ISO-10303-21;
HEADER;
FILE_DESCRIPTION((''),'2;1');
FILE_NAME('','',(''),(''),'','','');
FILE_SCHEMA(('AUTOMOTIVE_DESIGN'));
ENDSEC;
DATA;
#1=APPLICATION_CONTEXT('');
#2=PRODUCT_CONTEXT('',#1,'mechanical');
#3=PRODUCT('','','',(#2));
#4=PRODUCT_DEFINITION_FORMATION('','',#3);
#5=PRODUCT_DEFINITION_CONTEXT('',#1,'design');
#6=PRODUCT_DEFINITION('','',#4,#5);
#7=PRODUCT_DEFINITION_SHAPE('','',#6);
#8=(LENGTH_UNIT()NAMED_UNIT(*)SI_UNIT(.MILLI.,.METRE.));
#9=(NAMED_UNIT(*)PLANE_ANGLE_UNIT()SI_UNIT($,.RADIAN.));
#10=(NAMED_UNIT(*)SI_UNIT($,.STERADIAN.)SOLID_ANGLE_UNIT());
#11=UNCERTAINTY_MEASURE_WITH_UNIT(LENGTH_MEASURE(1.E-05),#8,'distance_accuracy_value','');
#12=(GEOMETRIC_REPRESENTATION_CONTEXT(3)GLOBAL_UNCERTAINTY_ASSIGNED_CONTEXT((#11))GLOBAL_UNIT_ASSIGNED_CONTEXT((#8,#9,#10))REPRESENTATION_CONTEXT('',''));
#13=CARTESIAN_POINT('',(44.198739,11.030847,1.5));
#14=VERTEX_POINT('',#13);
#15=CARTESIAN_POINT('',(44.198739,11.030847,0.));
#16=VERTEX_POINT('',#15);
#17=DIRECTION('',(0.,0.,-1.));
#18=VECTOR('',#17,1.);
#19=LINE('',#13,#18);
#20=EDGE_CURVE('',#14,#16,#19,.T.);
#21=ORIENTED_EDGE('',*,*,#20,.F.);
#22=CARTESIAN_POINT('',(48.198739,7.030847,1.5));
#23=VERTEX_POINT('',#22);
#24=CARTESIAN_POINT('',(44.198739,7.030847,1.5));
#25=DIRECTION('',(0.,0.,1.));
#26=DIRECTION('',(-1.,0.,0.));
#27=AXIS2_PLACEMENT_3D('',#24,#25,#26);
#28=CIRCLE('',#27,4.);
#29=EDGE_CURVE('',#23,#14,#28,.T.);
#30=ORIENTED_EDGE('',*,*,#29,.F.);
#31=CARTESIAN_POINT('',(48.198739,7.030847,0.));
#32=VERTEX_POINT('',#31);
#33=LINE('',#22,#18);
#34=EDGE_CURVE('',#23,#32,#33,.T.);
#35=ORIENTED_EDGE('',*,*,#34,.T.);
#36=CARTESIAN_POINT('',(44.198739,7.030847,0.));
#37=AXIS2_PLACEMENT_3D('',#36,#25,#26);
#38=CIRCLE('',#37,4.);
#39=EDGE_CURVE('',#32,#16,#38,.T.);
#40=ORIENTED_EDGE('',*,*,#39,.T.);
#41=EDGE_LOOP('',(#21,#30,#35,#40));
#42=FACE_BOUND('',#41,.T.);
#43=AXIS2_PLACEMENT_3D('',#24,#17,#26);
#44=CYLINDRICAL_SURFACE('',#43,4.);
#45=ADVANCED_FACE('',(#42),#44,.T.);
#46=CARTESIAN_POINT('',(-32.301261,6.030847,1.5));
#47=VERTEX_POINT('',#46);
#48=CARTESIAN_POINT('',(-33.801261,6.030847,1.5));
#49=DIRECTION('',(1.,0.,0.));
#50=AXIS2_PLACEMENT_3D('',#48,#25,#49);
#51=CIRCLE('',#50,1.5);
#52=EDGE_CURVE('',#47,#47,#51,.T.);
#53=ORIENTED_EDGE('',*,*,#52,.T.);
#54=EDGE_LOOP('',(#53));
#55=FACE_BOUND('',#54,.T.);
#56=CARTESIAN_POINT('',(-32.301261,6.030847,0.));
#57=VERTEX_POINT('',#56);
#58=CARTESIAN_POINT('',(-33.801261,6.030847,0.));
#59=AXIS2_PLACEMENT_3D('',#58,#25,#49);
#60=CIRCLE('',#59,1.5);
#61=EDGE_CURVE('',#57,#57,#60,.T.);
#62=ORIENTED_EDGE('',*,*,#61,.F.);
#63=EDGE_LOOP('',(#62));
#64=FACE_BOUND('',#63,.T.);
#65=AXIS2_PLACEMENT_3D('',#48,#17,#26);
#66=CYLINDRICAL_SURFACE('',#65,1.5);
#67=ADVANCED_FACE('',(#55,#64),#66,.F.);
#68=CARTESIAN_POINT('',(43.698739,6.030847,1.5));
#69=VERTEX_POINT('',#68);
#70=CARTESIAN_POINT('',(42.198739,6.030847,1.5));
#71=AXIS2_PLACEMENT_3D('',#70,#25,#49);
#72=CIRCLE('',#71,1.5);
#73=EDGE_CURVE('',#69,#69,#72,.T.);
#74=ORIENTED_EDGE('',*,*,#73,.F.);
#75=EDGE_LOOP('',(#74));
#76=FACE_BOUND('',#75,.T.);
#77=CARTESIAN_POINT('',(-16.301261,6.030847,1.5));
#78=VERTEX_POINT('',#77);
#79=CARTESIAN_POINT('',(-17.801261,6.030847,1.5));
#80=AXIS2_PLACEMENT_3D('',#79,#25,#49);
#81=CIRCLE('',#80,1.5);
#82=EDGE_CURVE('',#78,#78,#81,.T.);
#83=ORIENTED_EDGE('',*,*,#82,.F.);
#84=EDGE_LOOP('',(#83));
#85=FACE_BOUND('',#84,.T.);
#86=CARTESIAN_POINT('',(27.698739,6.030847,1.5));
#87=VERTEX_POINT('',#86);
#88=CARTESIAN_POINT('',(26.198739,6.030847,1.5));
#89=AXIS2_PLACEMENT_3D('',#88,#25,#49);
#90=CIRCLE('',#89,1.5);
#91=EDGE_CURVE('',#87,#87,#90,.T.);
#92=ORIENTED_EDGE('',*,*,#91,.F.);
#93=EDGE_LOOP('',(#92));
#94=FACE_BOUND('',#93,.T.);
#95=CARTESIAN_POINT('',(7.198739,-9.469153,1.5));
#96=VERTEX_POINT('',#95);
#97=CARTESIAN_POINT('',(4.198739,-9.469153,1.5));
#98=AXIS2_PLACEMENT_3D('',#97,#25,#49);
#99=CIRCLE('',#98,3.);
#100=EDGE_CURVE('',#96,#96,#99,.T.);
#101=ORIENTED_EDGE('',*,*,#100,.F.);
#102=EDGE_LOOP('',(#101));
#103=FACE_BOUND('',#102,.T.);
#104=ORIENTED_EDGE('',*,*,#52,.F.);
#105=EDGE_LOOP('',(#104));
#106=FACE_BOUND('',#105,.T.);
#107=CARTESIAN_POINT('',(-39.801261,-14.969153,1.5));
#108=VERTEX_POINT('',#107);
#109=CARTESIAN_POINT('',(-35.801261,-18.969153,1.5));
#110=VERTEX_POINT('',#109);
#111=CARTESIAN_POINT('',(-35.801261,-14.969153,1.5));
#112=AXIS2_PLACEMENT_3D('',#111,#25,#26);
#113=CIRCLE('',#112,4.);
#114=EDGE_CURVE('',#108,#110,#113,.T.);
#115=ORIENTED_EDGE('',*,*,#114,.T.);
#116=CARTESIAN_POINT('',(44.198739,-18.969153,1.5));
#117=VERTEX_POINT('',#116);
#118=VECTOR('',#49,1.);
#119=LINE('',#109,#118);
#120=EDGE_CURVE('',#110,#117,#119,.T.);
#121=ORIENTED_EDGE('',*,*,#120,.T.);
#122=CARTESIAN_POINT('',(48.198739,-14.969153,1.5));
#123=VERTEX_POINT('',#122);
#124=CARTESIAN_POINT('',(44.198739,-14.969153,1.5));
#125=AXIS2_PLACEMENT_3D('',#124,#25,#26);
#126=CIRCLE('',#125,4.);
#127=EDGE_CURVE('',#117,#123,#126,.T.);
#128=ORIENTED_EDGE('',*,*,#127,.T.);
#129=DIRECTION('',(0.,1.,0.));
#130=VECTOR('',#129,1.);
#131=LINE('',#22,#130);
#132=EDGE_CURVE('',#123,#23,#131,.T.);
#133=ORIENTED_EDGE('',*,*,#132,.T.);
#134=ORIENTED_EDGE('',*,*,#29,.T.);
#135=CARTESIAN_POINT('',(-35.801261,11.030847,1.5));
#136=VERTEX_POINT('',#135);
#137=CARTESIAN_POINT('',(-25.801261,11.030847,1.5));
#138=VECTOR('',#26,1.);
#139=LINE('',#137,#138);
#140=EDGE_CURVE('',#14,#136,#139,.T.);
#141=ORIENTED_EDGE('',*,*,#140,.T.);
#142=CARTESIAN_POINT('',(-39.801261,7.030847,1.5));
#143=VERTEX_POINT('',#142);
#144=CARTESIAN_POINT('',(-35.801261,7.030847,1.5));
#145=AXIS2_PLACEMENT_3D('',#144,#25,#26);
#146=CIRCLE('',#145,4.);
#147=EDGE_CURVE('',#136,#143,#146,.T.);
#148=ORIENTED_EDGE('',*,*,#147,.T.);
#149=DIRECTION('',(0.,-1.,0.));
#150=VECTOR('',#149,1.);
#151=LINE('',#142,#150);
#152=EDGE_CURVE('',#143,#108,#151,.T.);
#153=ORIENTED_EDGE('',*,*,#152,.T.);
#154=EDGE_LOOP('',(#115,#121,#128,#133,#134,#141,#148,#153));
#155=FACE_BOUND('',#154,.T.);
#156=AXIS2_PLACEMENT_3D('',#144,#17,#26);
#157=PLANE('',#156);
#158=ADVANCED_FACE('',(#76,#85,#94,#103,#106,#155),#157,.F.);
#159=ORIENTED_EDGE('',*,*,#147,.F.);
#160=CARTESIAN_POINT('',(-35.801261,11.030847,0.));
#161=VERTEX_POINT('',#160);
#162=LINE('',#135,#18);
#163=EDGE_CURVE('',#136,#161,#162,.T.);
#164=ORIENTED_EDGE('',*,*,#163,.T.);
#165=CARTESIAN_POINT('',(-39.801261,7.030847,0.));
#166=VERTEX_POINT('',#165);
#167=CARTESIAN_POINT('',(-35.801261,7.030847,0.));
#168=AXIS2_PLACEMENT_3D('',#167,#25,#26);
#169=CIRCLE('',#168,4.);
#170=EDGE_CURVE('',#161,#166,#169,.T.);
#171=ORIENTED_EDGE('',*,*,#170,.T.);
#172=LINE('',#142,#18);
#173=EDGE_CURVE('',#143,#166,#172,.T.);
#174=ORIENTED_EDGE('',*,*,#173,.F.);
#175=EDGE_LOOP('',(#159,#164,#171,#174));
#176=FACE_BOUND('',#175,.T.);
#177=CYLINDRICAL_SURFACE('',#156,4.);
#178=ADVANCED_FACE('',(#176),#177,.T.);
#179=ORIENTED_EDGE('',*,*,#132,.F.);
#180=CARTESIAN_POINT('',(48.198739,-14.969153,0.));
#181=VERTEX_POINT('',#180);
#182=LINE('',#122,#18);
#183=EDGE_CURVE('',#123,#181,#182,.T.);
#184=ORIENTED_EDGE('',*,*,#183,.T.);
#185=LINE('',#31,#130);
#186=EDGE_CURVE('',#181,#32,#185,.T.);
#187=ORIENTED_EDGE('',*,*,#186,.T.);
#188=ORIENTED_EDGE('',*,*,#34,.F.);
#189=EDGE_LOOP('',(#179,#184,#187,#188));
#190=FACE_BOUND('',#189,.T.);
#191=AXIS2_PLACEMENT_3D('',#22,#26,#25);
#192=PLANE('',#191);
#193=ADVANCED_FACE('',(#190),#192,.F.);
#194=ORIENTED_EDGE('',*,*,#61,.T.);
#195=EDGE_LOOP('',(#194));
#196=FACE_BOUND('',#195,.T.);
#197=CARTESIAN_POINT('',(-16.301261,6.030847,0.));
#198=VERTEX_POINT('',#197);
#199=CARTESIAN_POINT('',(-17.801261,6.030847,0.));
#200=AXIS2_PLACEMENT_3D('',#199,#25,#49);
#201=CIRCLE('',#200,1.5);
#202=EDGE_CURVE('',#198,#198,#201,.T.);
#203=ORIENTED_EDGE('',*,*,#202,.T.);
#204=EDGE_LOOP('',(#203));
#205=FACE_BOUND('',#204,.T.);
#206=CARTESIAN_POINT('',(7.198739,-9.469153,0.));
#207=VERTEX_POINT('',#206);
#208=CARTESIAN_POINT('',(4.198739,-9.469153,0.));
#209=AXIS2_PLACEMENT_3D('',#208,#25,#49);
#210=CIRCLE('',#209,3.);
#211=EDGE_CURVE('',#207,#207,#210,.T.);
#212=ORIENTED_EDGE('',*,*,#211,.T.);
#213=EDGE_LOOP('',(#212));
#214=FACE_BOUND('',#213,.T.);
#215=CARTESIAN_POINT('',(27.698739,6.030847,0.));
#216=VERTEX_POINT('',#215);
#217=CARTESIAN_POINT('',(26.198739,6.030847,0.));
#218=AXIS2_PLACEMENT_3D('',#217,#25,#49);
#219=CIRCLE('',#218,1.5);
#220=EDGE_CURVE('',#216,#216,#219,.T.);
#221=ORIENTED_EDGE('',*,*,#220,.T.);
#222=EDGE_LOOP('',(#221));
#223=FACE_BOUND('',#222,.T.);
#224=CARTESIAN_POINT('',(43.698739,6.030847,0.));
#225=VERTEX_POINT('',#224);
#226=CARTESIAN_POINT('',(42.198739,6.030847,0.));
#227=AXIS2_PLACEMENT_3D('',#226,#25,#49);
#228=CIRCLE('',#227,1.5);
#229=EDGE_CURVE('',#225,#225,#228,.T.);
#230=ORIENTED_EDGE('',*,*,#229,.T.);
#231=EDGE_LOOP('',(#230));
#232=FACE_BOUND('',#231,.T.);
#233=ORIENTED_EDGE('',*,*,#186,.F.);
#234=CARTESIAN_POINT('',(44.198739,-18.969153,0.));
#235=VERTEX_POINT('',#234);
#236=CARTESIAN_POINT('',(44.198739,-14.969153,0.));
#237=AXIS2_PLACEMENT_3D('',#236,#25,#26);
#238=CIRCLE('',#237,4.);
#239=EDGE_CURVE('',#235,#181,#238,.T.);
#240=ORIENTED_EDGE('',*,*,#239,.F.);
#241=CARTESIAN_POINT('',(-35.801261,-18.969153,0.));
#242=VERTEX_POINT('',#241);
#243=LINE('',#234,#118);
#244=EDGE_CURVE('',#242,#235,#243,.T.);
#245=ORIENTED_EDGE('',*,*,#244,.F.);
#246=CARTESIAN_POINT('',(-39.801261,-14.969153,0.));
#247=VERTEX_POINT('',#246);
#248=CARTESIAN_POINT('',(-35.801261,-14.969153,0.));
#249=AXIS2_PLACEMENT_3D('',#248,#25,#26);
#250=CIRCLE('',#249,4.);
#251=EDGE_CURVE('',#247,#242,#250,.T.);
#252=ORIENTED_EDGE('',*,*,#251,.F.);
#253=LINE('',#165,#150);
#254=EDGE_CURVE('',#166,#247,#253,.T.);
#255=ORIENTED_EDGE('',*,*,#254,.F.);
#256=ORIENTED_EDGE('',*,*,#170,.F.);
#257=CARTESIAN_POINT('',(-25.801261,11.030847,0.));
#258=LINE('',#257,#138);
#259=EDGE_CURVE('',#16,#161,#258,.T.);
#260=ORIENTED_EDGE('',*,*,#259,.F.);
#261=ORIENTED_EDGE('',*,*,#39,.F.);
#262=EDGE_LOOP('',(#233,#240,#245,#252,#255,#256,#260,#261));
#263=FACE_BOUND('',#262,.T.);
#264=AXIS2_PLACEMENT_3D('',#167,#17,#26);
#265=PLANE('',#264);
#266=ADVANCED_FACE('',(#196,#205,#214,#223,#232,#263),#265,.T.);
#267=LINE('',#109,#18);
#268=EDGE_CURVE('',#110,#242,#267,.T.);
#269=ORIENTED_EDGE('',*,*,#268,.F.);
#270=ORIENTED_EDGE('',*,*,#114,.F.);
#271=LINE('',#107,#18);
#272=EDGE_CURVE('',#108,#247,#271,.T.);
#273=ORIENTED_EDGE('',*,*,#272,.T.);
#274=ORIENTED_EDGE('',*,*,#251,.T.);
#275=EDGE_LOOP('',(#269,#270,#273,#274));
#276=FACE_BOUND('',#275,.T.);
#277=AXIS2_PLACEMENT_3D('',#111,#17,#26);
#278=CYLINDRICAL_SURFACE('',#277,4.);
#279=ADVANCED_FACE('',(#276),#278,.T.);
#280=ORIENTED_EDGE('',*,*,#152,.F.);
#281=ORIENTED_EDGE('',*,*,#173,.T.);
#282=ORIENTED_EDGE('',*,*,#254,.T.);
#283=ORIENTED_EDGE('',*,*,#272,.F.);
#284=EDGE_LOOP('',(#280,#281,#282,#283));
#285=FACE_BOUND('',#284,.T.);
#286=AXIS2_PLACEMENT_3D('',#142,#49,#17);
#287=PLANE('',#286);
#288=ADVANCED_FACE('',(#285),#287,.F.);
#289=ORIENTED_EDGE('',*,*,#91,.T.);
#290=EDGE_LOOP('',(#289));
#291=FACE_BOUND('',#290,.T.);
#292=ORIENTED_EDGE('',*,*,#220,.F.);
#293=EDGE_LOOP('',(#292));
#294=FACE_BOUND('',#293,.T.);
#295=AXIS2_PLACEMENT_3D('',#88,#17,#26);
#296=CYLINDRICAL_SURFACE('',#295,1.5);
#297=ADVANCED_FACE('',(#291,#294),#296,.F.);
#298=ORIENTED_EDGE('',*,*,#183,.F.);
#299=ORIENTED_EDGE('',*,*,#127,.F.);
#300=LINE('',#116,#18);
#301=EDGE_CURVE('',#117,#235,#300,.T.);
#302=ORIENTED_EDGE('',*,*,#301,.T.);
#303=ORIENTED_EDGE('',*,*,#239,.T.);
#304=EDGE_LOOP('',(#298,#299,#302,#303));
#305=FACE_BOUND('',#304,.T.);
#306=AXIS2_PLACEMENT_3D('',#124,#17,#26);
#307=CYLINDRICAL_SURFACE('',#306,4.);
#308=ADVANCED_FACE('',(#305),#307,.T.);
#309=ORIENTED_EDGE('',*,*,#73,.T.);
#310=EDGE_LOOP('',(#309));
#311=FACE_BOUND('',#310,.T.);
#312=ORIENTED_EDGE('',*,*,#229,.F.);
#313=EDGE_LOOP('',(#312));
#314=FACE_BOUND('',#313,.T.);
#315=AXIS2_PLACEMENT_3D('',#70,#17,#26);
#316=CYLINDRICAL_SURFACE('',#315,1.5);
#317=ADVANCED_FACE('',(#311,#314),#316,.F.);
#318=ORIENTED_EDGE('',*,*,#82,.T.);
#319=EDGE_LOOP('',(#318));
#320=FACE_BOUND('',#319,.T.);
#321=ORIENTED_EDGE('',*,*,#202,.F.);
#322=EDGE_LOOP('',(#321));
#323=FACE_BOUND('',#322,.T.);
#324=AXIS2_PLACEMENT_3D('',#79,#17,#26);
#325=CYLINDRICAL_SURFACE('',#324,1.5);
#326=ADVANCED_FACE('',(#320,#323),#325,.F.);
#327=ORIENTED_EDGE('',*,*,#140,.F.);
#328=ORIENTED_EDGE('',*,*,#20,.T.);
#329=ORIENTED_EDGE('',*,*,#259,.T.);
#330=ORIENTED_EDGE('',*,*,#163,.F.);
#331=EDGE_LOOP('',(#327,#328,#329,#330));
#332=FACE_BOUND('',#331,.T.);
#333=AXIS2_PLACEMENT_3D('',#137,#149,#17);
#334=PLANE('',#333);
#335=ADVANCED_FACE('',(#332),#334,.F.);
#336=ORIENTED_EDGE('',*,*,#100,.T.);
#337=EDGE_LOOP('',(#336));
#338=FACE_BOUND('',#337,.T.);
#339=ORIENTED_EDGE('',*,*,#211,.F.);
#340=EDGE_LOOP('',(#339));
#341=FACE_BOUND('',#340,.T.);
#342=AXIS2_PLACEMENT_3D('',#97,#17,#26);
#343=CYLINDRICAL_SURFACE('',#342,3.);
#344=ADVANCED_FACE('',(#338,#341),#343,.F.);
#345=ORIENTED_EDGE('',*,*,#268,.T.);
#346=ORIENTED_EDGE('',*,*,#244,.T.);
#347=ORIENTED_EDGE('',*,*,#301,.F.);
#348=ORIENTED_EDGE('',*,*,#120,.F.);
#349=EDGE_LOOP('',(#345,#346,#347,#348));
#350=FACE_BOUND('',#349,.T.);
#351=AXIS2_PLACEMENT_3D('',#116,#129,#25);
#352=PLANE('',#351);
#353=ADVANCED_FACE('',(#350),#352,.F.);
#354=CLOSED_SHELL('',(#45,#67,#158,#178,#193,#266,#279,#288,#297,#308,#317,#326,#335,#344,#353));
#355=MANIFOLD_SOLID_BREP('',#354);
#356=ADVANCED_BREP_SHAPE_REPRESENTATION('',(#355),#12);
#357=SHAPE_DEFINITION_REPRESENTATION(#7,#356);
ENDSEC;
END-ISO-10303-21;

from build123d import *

# Parameters (mm, degrees)
SKETCH_1_R      = 3
SKETCH_1_R_2    = 1.5
EXTRUDE_1_DEPTH = 1.5


with BuildPart() as part:
    # 草图1 → 凸台-拉伸1 (new body)
    with BuildSketch(Plane.XY):
        with BuildLine():
            Line((-25.801260856, 11.030846734), (34.198739144, 11.030846734))
            Line((34.198739144, 11.030846734), (44.198739144, 11.030846734))
            ThreePointArc((44.198739144, 11.030846734), (47.027166269, 9.859273858), (48.198739144, 7.030846734))
            Line((48.198739144, 7.030846734), (48.198739144, -14.969153266))
            ThreePointArc((48.198739144, -14.969153266), (47.027166269, -17.797580391), (44.198739144, -18.969153266))
            Line((44.198739144, -18.969153266), (34.198739144, -18.969153266))
            Line((34.198739144, -18.969153266), (-25.801260856, -18.969153266))
            Line((-25.801260856, -18.969153266), (-35.801260856, -18.969153266))
            ThreePointArc((-35.801260856, -18.969153266), (-38.62968798, -17.797580391), (-39.801260856, -14.969153266))
            Line((-39.801260856, -14.969153266), (-39.801260856, 7.030846734))
            ThreePointArc((-39.801260856, 7.030846734), (-38.62968798, 9.859273858), (-35.801260856, 11.030846734))
            Line((-35.801260856, 11.030846734), (-25.801260856, 11.030846734))
        make_face()
        with Locations((4.198739144, -9.469153266)):
            Circle(SKETCH_1_R, mode=Mode.SUBTRACT)
        with Locations((-17.801260856, 6.030846734)):
            Circle(SKETCH_1_R_2, mode=Mode.SUBTRACT)
        with Locations((-33.801260856, 6.030846734)):
            Circle(SKETCH_1_R_2, mode=Mode.SUBTRACT)
        with Locations((26.198739144, 6.030846734)):
            Circle(SKETCH_1_R_2, mode=Mode.SUBTRACT)
        with Locations((42.198739144, 6.030846734)):
            Circle(SKETCH_1_R_2, mode=Mode.SUBTRACT)
    extrude(amount=EXTRUDE_1_DEPTH)


solid = part.part
